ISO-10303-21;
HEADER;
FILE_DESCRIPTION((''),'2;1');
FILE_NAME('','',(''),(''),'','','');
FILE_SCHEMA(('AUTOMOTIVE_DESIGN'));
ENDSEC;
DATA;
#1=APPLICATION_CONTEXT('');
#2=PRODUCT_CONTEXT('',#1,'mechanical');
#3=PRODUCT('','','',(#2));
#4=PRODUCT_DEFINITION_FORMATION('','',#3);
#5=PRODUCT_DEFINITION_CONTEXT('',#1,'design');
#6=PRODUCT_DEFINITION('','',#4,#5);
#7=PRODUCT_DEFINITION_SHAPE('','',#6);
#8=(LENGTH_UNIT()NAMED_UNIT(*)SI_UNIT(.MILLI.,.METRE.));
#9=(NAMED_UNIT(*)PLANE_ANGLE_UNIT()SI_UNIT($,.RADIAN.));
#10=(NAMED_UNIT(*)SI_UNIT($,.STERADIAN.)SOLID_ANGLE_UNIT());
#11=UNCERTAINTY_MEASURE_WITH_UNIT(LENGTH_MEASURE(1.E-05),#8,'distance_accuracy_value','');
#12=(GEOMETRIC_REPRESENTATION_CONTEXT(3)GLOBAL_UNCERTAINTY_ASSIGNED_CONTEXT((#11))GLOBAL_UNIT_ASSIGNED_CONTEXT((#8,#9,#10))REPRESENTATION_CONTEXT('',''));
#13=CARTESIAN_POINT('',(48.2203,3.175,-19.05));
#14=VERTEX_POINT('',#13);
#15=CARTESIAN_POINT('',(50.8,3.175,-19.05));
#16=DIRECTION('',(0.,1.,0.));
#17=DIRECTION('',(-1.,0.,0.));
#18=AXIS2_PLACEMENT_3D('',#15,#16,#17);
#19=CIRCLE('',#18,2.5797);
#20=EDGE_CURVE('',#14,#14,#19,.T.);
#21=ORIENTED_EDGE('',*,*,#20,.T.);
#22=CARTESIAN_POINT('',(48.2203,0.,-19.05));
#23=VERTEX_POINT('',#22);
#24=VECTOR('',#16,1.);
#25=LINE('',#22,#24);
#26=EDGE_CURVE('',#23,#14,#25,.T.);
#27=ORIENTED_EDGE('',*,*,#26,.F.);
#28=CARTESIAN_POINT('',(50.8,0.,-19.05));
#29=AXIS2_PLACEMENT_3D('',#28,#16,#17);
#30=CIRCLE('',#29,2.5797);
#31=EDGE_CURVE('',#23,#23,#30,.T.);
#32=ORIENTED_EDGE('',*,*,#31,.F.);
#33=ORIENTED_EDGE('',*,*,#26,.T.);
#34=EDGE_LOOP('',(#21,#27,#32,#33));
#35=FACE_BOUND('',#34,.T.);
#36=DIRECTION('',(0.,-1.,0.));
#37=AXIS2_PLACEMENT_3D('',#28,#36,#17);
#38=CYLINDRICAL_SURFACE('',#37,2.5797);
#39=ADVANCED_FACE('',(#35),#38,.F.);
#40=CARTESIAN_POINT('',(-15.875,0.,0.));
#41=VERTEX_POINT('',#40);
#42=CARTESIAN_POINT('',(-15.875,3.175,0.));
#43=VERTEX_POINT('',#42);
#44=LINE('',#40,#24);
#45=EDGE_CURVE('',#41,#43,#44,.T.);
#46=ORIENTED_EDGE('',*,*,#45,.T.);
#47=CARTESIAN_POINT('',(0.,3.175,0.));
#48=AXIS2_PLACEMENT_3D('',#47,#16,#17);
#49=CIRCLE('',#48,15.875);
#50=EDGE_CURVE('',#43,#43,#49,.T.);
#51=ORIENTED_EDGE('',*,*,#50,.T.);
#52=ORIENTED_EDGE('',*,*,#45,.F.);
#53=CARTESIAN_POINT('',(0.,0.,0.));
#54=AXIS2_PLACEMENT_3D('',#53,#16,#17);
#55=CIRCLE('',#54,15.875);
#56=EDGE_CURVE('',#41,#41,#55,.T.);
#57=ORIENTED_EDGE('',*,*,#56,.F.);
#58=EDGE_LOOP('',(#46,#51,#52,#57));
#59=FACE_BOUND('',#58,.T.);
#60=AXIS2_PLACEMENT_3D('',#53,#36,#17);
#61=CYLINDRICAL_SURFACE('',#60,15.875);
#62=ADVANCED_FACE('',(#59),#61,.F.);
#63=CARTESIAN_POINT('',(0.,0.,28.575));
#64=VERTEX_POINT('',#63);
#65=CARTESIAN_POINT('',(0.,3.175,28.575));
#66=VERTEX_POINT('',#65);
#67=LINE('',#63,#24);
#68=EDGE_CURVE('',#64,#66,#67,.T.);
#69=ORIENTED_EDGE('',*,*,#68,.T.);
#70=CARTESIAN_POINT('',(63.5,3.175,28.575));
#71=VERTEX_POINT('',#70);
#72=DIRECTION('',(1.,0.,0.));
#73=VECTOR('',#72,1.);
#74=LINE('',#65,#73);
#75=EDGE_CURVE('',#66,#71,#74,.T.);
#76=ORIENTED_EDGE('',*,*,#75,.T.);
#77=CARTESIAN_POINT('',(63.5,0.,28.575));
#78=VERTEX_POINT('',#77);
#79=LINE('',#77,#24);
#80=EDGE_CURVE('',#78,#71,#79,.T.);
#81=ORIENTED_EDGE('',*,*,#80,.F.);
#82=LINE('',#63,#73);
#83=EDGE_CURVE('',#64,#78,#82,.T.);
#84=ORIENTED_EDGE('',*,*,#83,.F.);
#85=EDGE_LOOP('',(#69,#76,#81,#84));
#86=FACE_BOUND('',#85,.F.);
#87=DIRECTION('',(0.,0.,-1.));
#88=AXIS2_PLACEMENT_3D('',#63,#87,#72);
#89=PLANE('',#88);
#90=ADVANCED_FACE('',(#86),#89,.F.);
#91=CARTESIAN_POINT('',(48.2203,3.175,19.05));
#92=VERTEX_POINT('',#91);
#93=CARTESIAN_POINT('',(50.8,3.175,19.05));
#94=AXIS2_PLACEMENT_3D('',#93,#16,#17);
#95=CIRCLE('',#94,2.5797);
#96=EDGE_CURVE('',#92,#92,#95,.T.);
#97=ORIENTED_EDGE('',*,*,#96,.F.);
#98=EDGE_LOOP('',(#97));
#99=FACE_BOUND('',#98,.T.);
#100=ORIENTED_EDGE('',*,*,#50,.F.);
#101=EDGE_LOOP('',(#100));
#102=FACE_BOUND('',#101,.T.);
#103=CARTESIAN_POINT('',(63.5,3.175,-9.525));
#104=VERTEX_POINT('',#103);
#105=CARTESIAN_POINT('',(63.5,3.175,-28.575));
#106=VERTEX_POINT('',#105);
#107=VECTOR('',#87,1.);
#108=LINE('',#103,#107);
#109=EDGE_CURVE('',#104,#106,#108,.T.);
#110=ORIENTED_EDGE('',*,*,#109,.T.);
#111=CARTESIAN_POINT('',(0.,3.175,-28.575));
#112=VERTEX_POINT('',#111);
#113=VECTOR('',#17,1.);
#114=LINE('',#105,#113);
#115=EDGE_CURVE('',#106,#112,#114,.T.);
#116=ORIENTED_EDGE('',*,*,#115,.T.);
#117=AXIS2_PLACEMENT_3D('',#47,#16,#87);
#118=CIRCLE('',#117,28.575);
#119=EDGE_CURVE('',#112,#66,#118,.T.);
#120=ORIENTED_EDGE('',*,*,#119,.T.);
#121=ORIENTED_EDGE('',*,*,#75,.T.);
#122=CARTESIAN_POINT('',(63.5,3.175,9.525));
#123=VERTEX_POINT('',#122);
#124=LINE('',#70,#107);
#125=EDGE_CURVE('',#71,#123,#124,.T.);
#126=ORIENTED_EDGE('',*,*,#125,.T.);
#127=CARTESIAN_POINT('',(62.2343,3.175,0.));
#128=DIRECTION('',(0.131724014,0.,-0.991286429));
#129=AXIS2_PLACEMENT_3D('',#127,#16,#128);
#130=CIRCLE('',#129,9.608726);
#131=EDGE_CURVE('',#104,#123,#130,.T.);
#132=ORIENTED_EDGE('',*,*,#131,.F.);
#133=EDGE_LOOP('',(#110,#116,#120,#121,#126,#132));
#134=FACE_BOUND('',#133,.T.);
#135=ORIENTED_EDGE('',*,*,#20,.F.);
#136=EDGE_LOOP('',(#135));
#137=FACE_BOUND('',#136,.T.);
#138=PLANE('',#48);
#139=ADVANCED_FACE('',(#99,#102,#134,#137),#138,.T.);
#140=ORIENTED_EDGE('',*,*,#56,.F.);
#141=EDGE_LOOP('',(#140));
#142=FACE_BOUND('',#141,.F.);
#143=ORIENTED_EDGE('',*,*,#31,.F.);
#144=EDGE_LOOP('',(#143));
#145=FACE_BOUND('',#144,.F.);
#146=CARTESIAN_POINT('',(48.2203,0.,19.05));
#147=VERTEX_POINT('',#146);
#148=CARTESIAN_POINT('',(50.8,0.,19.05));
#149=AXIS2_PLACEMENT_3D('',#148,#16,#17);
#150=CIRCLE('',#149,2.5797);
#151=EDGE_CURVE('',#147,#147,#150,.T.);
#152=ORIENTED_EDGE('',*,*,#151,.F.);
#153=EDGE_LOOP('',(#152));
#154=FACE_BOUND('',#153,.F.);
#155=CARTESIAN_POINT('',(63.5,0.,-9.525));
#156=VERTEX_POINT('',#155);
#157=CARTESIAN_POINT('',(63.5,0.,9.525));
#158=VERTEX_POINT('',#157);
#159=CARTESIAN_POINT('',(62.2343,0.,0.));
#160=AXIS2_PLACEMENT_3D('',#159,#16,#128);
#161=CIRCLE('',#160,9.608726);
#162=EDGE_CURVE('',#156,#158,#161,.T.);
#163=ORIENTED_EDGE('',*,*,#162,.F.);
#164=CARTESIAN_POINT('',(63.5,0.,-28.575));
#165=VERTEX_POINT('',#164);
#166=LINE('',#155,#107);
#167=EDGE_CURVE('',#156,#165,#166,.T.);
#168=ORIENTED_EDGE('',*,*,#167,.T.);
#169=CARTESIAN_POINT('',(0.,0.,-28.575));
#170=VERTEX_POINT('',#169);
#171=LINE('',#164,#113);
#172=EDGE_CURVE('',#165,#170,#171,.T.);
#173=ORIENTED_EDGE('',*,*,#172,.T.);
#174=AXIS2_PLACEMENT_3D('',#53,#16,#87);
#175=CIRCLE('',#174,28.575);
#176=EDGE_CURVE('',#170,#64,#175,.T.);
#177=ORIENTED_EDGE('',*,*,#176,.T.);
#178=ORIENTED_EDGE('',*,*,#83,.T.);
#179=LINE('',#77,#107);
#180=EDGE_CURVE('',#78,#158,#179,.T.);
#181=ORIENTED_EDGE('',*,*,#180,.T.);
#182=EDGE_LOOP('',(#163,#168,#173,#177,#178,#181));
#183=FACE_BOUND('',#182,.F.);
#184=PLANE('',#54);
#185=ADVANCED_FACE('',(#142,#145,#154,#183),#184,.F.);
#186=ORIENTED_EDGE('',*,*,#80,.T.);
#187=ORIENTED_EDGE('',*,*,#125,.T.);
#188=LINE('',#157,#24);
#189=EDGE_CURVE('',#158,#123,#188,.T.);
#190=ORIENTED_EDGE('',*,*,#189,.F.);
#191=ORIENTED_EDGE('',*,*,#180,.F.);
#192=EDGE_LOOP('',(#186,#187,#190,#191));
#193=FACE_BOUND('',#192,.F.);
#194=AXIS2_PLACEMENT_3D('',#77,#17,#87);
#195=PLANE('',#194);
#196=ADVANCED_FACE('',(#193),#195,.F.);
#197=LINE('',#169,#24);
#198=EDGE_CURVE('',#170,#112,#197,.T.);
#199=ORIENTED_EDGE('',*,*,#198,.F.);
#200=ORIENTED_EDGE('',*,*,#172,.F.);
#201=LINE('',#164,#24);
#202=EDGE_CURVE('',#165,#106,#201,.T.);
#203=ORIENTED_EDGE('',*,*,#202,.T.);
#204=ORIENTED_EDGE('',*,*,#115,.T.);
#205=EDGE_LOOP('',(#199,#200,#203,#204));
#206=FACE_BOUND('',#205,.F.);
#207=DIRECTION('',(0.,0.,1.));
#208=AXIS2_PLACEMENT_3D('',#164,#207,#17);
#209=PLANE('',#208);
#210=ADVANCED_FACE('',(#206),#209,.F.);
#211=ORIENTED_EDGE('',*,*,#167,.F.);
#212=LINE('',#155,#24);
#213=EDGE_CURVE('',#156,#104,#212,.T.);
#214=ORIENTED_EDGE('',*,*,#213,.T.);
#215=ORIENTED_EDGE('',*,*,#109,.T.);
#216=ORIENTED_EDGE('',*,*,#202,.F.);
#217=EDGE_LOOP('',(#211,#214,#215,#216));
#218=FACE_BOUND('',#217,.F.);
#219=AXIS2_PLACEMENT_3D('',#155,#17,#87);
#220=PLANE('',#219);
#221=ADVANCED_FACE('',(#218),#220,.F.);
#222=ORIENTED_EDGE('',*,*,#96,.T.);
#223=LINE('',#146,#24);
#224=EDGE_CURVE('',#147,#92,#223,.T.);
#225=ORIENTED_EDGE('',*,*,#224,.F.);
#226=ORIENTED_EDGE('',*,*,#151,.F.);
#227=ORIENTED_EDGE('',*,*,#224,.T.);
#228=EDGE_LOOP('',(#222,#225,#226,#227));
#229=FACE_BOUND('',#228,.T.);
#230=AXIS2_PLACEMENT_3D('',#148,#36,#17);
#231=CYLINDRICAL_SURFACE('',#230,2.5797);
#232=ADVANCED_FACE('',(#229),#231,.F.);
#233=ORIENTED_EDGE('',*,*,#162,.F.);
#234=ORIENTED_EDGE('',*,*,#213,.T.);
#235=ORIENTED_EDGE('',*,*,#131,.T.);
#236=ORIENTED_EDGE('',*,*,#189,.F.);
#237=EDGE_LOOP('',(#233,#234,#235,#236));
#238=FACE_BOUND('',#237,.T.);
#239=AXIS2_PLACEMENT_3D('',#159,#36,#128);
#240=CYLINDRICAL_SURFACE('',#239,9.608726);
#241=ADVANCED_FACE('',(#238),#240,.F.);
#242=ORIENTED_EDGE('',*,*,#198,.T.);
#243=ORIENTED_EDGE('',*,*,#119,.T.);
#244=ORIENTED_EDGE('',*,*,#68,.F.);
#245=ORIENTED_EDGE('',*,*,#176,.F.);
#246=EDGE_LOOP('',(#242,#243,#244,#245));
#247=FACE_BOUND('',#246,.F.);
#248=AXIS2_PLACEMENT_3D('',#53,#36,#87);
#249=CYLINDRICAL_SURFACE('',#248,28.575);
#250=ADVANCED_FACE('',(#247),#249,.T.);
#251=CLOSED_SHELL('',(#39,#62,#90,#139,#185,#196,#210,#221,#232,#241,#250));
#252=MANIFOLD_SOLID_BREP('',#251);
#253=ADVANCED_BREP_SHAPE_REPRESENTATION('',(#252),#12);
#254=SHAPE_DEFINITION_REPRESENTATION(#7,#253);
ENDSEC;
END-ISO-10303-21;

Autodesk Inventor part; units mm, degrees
ref_plane "YZ Plane" through (0, 0, 0) normal (1, 0, 0) x (0, 1, 0)
ref_plane "XZ Plane" through (0, 0, 0) normal (0, 1, 0) x (-1, 0, 0)
ref_plane "XY Plane" through (0, 0, 0) normal (0, 0, 1) x (1, 0, 0)
sketch "Sketch1" plane through (0, 0, 0) normal (0, 1, 0) x (-1, 0, 0)
  circle A0 centre (0, 0) radius 15.875
  arc A1 (0, -28.575) -> (0, 28.575) centre (0, 0) ccw
  line L0 (0, 28.575) -> (-63.5, 28.575)
  line L1 (-63.5, -28.575) -> (0, -28.575)
  line L2 (-36.1351, 28.575) -> (-36.1351, 9.525) construction
  line L3 (-36.1351, -28.575) -> (-36.1351, -9.525) construction
  line L4 (-63.5, 28.575) -> (-63.5, 9.525)
  line L5 (-63.5, -9.525) -> (-63.5, -28.575)
  line L6 (-63.5, 19.05) -> (-50.8, 19.05) construction
  line L7 (-63.5, -19.05) -> (-50.8, -19.05) construction
  arc A2 (-63.5, -9.525) -> (-63.5, 9.525) centre (-62.2343, 0) ccw
  circle A3 centre (-50.8, 19.05) radius 2.5797
  circle A4 centre (-50.8, -19.05) radius 2.5797
  dimension "d0" = 31.75
  dimension "d1" = 12.7
  dimension "d2" = 63.5
  dimension "d3" = 19.05
  dimension "d4" = 19.05
  dimension "d5" = 12.7
  dimension "d6" = 63.5
  dimension "d7" = 19.05
  dimension "d8" = 19.05
  dimension "d9" = 5.1594
  dimension "d10" = 5.1594
extrude "Extrusion1" add sketch "Sketch1" along normal blind 3.175
properties part number "motor extension"
